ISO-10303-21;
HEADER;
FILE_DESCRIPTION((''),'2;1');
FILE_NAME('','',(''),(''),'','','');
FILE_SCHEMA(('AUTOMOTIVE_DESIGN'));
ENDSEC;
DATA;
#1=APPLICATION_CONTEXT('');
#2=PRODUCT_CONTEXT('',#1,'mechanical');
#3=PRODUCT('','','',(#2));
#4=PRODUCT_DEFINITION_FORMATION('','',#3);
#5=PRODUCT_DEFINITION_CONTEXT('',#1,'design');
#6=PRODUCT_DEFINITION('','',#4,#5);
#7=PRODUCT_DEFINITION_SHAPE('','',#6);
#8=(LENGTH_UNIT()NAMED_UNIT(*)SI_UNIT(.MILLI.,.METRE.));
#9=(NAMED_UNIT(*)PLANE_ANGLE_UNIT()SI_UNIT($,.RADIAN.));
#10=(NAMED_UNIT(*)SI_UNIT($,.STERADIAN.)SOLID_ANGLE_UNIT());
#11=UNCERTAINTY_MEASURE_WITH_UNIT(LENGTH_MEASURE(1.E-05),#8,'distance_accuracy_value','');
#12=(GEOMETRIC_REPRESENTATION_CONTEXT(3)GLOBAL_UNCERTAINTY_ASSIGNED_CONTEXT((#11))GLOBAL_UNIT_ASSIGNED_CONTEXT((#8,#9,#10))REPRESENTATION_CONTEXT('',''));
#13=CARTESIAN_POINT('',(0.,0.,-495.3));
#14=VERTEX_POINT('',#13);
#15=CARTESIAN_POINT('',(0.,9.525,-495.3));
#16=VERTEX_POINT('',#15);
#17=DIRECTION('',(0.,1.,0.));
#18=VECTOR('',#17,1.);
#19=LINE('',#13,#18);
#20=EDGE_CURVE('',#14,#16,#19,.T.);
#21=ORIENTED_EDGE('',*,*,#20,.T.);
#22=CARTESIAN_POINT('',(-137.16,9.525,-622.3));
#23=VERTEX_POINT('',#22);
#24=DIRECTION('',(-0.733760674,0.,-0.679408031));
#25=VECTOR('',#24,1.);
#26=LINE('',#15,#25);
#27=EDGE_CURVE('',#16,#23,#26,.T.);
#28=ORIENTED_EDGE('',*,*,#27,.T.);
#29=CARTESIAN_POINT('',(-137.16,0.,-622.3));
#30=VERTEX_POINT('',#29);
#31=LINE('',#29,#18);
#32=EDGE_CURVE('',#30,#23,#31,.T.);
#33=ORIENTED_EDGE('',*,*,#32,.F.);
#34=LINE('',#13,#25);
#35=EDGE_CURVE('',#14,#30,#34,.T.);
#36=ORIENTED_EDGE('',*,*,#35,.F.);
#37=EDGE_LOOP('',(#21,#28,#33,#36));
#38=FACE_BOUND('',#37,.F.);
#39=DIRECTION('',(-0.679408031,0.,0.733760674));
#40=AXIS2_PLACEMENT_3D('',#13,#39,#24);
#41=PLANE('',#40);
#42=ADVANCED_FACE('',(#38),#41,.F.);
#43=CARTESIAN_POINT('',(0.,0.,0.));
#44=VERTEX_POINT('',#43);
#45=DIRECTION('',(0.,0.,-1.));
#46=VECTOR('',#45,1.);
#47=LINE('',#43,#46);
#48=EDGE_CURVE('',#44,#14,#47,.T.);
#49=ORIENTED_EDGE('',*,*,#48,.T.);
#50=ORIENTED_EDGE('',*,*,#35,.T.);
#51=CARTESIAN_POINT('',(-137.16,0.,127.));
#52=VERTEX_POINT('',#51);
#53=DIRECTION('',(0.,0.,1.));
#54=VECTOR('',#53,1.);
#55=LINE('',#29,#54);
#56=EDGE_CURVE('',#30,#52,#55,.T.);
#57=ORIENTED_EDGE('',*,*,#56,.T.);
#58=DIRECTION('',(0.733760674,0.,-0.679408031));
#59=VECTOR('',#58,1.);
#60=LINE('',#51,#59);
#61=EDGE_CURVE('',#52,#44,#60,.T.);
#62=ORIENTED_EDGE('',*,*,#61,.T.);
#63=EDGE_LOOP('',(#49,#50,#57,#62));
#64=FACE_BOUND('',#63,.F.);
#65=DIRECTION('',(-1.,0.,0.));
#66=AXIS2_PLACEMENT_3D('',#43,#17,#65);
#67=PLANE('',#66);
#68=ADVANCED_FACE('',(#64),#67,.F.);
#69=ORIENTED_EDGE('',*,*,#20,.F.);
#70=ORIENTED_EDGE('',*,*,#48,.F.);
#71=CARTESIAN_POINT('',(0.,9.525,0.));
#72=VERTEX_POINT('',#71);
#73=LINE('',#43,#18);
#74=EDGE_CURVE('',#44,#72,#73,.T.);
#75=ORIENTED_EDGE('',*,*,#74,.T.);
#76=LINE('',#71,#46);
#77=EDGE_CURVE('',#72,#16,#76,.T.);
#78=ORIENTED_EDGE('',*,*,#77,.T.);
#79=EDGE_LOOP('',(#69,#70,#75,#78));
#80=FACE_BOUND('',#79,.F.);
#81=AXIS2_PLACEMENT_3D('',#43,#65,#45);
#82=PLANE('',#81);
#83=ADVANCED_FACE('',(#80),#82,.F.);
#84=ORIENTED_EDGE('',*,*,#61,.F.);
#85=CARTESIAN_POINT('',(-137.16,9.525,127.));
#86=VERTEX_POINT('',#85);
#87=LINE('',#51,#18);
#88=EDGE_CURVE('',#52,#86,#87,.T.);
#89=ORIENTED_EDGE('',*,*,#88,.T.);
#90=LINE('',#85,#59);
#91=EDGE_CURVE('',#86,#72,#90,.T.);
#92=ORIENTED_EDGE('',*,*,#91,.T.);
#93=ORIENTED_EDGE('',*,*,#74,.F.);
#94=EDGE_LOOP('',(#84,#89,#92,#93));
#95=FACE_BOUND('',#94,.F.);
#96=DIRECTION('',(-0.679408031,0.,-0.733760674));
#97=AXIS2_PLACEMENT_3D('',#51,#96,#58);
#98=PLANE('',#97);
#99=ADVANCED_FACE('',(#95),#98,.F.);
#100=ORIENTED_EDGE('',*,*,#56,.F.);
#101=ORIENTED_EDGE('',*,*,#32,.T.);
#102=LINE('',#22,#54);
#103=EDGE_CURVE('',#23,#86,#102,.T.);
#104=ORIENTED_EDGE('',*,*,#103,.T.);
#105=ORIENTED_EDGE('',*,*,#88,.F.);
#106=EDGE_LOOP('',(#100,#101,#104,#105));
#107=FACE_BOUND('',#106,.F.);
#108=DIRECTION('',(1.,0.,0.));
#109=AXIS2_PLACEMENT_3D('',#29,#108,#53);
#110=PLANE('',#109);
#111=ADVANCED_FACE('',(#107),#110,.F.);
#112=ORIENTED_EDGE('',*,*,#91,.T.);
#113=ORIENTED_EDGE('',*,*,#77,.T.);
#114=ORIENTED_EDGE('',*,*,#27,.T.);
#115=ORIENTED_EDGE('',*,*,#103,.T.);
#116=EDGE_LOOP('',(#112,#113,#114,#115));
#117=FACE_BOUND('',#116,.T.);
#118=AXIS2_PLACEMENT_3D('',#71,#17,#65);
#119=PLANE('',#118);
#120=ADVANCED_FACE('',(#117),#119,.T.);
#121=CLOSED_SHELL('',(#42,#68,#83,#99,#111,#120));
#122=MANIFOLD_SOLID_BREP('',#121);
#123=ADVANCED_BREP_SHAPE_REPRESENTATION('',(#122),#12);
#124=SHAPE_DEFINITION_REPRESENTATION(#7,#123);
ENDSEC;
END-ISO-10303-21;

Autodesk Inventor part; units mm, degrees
ref_plane "YZ Plane" through (0, 0, 0) normal (1, 0, 0) x (0, 1, 0)
ref_plane "XZ Plane" through (0, 0, 0) normal (0, 1, 0) x (-1, 0, 0)
ref_plane "XY Plane" through (0, 0, 0) normal (0, 0, 1) x (1, 0, 0)
sketch "Sketch1" plane through (0, 0, 0) normal (0, 1, 0) x (-1, 0, 0)
  line L0 (0, 0) -> (0, -495.3)
  line L1 (0, -495.3) -> (137.16, -622.3)
  line L2 (137.16, -622.3) -> (137.16, 127)
  line L3 (137.16, 127) -> (0, 0)
  dimension "d0" = 495.3
  dimension "d1" = 749.3
  dimension "d2" = 137.16
extrude "Extrusion1" add sketch "Sketch1" along normal blind 9.525
properties part number "Ramp - End - Trapezoid Plywood 375" material "Wood (Oak)"
